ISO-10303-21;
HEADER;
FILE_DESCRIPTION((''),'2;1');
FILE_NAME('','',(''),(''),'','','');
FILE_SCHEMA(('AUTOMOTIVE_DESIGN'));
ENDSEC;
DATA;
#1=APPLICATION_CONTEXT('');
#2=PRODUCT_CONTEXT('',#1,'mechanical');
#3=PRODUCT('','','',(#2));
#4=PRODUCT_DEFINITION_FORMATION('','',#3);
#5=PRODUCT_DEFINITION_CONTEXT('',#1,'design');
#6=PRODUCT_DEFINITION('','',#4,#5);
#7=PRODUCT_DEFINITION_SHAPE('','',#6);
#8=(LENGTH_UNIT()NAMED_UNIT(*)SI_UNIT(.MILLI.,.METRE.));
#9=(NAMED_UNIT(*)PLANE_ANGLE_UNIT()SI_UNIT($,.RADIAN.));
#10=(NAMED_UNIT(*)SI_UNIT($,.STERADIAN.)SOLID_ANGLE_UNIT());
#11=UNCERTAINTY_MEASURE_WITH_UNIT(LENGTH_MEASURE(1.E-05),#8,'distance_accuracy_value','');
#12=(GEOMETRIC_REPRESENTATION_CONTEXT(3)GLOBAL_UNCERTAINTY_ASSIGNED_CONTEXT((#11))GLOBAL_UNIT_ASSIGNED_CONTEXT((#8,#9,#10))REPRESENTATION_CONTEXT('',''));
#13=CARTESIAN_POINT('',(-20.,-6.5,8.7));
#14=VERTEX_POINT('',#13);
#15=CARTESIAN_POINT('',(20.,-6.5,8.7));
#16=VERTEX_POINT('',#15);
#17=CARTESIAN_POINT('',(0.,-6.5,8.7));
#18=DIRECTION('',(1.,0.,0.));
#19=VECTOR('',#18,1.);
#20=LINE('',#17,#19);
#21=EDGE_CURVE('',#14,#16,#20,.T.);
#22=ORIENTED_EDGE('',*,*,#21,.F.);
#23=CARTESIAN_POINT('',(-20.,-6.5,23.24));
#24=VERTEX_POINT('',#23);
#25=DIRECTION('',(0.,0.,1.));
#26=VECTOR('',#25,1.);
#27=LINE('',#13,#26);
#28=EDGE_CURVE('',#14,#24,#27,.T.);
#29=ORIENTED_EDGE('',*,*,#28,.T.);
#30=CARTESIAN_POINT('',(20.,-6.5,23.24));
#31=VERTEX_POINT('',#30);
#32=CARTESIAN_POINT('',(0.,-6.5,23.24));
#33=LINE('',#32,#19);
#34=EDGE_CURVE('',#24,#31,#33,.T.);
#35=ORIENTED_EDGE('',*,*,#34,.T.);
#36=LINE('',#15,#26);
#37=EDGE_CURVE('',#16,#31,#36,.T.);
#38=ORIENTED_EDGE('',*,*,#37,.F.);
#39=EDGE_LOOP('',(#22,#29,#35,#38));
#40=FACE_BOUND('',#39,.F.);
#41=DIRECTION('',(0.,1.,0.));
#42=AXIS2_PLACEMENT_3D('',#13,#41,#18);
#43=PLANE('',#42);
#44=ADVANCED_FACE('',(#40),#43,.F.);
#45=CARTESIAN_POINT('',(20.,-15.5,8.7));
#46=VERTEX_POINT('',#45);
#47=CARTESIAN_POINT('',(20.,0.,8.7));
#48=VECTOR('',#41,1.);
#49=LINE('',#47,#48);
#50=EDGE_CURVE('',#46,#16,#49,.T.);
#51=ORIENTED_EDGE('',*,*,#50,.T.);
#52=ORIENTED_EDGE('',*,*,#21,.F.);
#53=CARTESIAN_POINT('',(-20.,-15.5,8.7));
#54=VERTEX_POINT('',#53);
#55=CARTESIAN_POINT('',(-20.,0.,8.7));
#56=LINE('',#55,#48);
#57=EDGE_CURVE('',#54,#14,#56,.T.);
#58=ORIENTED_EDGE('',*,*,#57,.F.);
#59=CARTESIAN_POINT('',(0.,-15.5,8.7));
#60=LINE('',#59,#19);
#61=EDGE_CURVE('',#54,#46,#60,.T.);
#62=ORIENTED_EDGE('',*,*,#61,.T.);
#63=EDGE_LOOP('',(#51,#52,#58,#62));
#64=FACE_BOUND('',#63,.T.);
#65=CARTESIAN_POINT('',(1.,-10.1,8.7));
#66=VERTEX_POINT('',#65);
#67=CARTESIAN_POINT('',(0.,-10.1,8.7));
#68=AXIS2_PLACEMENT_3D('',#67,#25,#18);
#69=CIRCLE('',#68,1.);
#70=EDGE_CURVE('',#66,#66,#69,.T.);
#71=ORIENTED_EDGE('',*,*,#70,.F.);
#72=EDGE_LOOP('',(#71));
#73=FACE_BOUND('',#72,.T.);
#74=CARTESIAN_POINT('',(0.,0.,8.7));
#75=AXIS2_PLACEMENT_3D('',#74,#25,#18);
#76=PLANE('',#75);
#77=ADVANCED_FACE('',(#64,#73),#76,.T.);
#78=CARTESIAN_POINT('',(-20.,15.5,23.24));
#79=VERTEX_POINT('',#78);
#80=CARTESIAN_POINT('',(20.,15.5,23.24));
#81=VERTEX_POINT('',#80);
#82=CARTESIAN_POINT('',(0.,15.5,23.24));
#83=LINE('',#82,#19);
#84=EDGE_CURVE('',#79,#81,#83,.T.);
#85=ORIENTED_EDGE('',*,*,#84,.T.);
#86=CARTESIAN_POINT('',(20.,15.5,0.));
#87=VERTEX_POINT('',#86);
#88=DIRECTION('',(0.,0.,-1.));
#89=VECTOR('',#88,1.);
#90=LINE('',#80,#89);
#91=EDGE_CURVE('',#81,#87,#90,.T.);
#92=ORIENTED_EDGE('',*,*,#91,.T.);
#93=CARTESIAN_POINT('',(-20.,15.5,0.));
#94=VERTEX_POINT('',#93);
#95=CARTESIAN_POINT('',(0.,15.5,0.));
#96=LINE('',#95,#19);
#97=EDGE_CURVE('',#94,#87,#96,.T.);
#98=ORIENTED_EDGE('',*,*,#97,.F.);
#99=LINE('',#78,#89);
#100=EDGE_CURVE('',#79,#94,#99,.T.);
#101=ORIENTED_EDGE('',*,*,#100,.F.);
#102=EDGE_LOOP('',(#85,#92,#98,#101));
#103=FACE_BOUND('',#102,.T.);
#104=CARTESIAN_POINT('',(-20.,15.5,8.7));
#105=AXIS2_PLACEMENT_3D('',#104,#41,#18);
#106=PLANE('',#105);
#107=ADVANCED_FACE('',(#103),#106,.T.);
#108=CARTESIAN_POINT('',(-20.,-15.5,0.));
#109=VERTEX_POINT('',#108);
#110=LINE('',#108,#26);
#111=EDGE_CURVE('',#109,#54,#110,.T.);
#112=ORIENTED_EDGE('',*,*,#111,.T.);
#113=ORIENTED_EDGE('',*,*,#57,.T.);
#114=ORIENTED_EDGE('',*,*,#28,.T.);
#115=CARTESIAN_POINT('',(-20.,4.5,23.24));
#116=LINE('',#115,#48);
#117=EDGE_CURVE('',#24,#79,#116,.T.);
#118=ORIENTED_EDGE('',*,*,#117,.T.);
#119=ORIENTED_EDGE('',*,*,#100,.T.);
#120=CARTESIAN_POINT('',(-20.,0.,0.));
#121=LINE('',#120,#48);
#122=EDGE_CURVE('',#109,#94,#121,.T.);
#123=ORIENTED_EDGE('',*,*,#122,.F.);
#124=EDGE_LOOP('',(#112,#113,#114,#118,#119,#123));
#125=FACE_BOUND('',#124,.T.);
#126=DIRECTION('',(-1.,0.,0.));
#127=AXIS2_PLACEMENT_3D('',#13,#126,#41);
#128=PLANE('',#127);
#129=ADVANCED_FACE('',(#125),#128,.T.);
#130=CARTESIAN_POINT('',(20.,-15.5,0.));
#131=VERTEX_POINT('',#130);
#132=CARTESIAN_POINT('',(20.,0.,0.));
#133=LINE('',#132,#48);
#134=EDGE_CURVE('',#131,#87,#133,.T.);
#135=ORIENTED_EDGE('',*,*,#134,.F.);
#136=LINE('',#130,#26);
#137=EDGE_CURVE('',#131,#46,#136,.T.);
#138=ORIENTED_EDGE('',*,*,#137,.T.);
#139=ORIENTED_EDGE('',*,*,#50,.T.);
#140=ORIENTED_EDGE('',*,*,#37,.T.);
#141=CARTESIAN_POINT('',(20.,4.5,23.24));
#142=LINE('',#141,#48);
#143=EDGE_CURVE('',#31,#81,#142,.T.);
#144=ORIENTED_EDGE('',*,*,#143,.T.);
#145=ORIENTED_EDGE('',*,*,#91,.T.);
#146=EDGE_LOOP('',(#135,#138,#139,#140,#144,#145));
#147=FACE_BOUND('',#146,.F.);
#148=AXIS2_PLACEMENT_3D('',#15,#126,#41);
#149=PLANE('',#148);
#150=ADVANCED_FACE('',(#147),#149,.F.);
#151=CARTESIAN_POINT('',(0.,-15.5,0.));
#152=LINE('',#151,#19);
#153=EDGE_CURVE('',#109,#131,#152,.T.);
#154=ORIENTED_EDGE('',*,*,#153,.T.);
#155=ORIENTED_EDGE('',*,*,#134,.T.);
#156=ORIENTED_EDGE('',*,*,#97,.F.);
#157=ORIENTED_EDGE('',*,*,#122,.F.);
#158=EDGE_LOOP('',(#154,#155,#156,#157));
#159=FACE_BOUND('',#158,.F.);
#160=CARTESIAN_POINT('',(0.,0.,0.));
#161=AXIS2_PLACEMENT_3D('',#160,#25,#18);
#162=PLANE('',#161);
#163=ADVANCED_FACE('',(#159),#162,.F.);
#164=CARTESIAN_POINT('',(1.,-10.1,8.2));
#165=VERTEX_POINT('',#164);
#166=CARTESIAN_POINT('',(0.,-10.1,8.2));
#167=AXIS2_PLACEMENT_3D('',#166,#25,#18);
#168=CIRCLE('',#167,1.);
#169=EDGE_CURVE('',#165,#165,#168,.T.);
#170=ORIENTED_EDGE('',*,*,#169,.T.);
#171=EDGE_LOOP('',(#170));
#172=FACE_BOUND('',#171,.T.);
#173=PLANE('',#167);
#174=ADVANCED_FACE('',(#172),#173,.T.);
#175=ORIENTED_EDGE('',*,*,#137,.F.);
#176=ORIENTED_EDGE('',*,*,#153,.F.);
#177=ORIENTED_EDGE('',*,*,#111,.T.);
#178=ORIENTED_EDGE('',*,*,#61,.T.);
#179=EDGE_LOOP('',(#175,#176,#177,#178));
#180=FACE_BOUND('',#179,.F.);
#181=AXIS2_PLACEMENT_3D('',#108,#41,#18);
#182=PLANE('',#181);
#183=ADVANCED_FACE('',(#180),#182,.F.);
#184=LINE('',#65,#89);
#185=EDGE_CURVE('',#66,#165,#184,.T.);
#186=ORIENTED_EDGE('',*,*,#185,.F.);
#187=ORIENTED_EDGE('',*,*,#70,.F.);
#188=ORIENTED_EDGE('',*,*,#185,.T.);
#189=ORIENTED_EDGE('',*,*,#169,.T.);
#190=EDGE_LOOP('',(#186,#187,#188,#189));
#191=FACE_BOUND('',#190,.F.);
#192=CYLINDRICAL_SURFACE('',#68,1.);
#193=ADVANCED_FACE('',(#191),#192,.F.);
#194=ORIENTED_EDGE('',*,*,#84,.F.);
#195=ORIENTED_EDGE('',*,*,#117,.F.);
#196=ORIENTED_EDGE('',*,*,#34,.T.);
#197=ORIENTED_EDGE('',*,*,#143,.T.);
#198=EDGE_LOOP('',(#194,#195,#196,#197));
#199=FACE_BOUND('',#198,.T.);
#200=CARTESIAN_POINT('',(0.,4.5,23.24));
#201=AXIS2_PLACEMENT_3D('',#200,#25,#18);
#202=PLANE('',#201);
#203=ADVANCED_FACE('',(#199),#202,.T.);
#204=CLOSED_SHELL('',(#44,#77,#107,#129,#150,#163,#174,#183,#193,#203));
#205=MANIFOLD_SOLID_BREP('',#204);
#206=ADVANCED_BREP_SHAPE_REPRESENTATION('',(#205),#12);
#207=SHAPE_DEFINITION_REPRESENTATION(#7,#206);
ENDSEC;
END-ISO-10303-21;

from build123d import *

# Parameters (mm, degrees)
F0_W     = 40
F0_H     = 31
F1_DEPTH = 8.7
F2_W     = 40
F2_H     = 22
F3_DEPTH = 14.54
F4_R     = 1
F5_DEPTH = 0.5


with BuildPart() as f1:
    # F0 (on Top) → F1 (new body)
    with BuildSketch(Plane.XY):
        Rectangle(F0_W, F0_H)
    extrude(amount=F1_DEPTH)

    # F2 (on face) → F3 (join)
    with BuildSketch(Plane.XY.offset(8.7)):
        with Locations((0, 4.5)):
            Rectangle(F2_W, F2_H)
    extrude(amount=F3_DEPTH)

    # F4 (on face) → F5 (cut)
    with BuildSketch(Plane.XY.offset(8.7)):
        with Locations((0, -10.1)):
            Circle(F4_R)
    extrude(amount=-F5_DEPTH, mode=Mode.SUBTRACT)


solid = f1.part
